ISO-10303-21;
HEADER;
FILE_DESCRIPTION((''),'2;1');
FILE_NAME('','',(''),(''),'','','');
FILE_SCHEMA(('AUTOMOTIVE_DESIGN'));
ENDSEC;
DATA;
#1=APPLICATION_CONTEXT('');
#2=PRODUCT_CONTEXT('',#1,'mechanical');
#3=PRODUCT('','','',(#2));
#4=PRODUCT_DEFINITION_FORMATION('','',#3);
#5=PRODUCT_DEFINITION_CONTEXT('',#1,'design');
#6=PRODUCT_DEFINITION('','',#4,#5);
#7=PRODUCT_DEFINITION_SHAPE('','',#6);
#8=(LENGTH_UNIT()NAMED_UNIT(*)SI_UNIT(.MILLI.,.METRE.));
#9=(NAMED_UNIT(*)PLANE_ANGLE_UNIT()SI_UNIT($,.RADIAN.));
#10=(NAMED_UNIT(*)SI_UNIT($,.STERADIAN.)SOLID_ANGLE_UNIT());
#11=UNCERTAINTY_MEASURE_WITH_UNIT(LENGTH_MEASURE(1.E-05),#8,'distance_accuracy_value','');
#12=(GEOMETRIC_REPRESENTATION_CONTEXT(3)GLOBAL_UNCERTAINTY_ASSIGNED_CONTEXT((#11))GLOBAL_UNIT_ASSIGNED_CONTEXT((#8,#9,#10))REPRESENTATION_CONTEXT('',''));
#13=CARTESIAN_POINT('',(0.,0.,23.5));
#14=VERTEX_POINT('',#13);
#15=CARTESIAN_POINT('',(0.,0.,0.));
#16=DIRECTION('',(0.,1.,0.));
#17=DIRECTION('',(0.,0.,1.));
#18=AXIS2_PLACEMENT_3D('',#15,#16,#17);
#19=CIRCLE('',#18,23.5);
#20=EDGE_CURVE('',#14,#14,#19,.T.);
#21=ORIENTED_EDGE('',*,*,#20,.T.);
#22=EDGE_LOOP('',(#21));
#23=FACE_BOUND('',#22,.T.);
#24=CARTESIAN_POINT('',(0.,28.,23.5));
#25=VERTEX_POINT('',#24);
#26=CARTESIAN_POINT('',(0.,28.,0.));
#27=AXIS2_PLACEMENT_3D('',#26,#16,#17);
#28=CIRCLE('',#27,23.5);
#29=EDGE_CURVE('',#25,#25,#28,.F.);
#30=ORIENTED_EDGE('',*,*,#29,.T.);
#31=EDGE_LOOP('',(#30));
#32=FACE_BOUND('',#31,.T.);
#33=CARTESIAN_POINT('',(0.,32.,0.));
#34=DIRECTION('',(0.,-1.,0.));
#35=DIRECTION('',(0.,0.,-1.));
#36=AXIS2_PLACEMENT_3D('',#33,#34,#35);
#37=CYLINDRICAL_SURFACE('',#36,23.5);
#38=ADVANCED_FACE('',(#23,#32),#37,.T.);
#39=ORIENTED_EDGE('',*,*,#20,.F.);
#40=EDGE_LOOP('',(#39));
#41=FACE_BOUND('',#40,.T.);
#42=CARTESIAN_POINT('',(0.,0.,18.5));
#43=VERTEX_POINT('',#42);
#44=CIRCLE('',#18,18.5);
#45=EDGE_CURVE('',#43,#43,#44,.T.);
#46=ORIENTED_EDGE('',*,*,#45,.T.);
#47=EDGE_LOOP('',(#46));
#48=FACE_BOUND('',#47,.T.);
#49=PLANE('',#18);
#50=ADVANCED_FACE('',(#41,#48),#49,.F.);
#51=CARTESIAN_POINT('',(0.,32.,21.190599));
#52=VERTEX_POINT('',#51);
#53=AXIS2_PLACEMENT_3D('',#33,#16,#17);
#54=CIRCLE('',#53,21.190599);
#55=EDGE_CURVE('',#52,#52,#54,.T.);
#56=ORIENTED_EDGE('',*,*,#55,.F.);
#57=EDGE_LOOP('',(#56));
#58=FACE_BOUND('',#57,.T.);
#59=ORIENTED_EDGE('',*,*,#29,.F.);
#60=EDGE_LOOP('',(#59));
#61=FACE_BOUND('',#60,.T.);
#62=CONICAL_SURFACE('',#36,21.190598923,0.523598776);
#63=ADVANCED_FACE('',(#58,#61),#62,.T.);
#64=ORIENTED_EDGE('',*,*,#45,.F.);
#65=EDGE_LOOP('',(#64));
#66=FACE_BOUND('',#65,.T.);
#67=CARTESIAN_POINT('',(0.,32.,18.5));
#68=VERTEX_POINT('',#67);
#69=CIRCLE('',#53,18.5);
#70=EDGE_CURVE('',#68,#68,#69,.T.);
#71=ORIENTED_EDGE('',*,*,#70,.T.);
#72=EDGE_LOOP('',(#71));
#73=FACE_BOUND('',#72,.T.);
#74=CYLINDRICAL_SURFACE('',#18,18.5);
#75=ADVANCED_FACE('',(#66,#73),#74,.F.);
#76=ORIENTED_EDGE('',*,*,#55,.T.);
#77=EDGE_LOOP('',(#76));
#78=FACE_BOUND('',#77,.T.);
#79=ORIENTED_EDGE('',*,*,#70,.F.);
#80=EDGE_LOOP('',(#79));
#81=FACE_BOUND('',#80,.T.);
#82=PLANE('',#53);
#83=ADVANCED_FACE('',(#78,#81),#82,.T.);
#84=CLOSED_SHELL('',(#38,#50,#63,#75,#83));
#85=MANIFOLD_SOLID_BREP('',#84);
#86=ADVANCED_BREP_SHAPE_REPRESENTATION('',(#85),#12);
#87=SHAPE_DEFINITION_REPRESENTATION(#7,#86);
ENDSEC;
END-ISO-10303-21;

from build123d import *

# Parameters (mm, degrees)
SKETCH1_R           = 23.5
BOSS_EXTRUDE1_DEPTH = 32
SKETCH2_R           = 18.5
CUT_EXTRUDE1_DEPTH  = 32
CHAMFER1_SIZE       = 4
CHAMFER1_SIZE2      = 2.309401077


with BuildPart() as part:
    # Sketch1 → Boss-Extrude1 (new body)
    with BuildSketch(Plane(origin=(0, 0, 0), x_dir=(1, 0, 0), z_dir=(0, 1, 0))):
        with Locations(Location((0, 0, 0), (0, 0, 270))):
            Circle(SKETCH1_R)
    extrude(amount=BOSS_EXTRUDE1_DEPTH)

    # Sketch2 → Cut-Extrude1 (cut)
    with BuildSketch(Plane(origin=(0, 32, 0), x_dir=(1, 0, 0), z_dir=(0, 1, 0))):
        with Locations(Location((0, 0, 0), (0, 0, 270))):
            Circle(SKETCH2_R)
    extrude(amount=-CUT_EXTRUDE1_DEPTH, mode=Mode.SUBTRACT)

    # Chamfer1
    chamfer1_edges = [part.edges().sort_by_distance(p)[0] for p in [
        (0, 32, -23.5),
    ]]
    chamfer1_side = [part.faces().sort_by_distance(p)[0] for p in [
        (0, 16, -23.5),
    ]]
    chamfer(chamfer1_edges, length=CHAMFER1_SIZE, length2=CHAMFER1_SIZE2, reference=chamfer1_side[0])


solid = part.part
